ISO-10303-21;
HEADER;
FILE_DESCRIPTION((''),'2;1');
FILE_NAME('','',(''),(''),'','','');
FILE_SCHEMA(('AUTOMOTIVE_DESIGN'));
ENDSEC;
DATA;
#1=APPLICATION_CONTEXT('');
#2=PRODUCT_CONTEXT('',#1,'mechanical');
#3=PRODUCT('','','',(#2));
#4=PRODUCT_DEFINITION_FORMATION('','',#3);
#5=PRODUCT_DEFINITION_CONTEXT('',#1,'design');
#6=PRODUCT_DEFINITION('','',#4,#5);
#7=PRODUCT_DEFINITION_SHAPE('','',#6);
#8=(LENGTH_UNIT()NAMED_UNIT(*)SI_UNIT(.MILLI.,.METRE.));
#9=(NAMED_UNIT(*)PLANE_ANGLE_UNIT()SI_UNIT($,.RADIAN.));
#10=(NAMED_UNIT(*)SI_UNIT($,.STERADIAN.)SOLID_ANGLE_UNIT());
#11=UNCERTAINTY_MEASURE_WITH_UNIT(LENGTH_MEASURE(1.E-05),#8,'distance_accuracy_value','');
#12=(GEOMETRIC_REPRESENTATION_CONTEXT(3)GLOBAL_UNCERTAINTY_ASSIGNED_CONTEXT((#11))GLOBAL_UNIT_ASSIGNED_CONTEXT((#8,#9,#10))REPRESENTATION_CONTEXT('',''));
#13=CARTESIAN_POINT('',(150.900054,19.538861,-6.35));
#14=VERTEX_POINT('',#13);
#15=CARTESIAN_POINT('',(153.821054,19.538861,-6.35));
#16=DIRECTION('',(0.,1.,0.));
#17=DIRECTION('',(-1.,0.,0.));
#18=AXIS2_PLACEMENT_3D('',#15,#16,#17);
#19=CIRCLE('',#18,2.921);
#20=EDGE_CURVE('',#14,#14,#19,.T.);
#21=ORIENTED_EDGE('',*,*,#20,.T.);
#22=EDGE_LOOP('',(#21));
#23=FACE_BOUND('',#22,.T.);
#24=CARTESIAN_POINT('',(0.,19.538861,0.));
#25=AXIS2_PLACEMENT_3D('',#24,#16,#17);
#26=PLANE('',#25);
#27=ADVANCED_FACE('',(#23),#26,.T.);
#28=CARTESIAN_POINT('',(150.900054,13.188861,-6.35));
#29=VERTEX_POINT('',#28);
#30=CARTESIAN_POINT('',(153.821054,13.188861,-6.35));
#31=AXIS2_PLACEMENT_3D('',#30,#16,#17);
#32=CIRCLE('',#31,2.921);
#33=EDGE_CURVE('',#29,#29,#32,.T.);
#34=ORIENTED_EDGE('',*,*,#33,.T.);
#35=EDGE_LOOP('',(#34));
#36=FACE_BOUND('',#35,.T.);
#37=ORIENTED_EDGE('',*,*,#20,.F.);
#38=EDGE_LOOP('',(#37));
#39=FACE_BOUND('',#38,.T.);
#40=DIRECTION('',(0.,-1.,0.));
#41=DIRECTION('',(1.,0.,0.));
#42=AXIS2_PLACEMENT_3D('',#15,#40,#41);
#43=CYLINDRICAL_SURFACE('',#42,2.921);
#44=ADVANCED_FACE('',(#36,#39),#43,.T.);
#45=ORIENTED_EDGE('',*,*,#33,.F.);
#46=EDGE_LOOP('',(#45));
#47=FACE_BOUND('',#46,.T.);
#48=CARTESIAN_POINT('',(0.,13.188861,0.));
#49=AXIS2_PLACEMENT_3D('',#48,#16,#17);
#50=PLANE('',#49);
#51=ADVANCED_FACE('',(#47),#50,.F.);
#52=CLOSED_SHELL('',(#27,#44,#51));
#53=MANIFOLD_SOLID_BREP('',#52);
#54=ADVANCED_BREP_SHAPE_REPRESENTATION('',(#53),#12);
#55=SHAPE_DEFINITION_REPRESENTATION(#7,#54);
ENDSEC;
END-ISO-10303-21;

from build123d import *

# Parameters (mm, degrees)
SKETCH1_R           = 2.921
BOSS_EXTRUDE1_DEPTH = 6.35
SKETCH2_R           = 2.54
CUT_EXTRUDE2_DEPTH  = 10.271


with BuildPart() as part:
    # Sketch1 → Boss-Extrude1 (new body)
    with BuildSketch(Plane(origin=(0, 13.188860711, 0), x_dir=(1, 0, 0), z_dir=(0, 1, 0))):
        with Locations((153.821054168, 6.35)):
            Circle(SKETCH1_R)
    extrude(amount=BOSS_EXTRUDE1_DEPTH)

    # Sketch2 → Cut-Extrude2 (cut, through all)
    with BuildSketch(Plane.XY):
        with Locations((128.421054168, 8.743860711)):
            Circle(SKETCH2_R)
    extrude(amount=-CUT_EXTRUDE2_DEPTH, mode=Mode.SUBTRACT)


solid = part.part
